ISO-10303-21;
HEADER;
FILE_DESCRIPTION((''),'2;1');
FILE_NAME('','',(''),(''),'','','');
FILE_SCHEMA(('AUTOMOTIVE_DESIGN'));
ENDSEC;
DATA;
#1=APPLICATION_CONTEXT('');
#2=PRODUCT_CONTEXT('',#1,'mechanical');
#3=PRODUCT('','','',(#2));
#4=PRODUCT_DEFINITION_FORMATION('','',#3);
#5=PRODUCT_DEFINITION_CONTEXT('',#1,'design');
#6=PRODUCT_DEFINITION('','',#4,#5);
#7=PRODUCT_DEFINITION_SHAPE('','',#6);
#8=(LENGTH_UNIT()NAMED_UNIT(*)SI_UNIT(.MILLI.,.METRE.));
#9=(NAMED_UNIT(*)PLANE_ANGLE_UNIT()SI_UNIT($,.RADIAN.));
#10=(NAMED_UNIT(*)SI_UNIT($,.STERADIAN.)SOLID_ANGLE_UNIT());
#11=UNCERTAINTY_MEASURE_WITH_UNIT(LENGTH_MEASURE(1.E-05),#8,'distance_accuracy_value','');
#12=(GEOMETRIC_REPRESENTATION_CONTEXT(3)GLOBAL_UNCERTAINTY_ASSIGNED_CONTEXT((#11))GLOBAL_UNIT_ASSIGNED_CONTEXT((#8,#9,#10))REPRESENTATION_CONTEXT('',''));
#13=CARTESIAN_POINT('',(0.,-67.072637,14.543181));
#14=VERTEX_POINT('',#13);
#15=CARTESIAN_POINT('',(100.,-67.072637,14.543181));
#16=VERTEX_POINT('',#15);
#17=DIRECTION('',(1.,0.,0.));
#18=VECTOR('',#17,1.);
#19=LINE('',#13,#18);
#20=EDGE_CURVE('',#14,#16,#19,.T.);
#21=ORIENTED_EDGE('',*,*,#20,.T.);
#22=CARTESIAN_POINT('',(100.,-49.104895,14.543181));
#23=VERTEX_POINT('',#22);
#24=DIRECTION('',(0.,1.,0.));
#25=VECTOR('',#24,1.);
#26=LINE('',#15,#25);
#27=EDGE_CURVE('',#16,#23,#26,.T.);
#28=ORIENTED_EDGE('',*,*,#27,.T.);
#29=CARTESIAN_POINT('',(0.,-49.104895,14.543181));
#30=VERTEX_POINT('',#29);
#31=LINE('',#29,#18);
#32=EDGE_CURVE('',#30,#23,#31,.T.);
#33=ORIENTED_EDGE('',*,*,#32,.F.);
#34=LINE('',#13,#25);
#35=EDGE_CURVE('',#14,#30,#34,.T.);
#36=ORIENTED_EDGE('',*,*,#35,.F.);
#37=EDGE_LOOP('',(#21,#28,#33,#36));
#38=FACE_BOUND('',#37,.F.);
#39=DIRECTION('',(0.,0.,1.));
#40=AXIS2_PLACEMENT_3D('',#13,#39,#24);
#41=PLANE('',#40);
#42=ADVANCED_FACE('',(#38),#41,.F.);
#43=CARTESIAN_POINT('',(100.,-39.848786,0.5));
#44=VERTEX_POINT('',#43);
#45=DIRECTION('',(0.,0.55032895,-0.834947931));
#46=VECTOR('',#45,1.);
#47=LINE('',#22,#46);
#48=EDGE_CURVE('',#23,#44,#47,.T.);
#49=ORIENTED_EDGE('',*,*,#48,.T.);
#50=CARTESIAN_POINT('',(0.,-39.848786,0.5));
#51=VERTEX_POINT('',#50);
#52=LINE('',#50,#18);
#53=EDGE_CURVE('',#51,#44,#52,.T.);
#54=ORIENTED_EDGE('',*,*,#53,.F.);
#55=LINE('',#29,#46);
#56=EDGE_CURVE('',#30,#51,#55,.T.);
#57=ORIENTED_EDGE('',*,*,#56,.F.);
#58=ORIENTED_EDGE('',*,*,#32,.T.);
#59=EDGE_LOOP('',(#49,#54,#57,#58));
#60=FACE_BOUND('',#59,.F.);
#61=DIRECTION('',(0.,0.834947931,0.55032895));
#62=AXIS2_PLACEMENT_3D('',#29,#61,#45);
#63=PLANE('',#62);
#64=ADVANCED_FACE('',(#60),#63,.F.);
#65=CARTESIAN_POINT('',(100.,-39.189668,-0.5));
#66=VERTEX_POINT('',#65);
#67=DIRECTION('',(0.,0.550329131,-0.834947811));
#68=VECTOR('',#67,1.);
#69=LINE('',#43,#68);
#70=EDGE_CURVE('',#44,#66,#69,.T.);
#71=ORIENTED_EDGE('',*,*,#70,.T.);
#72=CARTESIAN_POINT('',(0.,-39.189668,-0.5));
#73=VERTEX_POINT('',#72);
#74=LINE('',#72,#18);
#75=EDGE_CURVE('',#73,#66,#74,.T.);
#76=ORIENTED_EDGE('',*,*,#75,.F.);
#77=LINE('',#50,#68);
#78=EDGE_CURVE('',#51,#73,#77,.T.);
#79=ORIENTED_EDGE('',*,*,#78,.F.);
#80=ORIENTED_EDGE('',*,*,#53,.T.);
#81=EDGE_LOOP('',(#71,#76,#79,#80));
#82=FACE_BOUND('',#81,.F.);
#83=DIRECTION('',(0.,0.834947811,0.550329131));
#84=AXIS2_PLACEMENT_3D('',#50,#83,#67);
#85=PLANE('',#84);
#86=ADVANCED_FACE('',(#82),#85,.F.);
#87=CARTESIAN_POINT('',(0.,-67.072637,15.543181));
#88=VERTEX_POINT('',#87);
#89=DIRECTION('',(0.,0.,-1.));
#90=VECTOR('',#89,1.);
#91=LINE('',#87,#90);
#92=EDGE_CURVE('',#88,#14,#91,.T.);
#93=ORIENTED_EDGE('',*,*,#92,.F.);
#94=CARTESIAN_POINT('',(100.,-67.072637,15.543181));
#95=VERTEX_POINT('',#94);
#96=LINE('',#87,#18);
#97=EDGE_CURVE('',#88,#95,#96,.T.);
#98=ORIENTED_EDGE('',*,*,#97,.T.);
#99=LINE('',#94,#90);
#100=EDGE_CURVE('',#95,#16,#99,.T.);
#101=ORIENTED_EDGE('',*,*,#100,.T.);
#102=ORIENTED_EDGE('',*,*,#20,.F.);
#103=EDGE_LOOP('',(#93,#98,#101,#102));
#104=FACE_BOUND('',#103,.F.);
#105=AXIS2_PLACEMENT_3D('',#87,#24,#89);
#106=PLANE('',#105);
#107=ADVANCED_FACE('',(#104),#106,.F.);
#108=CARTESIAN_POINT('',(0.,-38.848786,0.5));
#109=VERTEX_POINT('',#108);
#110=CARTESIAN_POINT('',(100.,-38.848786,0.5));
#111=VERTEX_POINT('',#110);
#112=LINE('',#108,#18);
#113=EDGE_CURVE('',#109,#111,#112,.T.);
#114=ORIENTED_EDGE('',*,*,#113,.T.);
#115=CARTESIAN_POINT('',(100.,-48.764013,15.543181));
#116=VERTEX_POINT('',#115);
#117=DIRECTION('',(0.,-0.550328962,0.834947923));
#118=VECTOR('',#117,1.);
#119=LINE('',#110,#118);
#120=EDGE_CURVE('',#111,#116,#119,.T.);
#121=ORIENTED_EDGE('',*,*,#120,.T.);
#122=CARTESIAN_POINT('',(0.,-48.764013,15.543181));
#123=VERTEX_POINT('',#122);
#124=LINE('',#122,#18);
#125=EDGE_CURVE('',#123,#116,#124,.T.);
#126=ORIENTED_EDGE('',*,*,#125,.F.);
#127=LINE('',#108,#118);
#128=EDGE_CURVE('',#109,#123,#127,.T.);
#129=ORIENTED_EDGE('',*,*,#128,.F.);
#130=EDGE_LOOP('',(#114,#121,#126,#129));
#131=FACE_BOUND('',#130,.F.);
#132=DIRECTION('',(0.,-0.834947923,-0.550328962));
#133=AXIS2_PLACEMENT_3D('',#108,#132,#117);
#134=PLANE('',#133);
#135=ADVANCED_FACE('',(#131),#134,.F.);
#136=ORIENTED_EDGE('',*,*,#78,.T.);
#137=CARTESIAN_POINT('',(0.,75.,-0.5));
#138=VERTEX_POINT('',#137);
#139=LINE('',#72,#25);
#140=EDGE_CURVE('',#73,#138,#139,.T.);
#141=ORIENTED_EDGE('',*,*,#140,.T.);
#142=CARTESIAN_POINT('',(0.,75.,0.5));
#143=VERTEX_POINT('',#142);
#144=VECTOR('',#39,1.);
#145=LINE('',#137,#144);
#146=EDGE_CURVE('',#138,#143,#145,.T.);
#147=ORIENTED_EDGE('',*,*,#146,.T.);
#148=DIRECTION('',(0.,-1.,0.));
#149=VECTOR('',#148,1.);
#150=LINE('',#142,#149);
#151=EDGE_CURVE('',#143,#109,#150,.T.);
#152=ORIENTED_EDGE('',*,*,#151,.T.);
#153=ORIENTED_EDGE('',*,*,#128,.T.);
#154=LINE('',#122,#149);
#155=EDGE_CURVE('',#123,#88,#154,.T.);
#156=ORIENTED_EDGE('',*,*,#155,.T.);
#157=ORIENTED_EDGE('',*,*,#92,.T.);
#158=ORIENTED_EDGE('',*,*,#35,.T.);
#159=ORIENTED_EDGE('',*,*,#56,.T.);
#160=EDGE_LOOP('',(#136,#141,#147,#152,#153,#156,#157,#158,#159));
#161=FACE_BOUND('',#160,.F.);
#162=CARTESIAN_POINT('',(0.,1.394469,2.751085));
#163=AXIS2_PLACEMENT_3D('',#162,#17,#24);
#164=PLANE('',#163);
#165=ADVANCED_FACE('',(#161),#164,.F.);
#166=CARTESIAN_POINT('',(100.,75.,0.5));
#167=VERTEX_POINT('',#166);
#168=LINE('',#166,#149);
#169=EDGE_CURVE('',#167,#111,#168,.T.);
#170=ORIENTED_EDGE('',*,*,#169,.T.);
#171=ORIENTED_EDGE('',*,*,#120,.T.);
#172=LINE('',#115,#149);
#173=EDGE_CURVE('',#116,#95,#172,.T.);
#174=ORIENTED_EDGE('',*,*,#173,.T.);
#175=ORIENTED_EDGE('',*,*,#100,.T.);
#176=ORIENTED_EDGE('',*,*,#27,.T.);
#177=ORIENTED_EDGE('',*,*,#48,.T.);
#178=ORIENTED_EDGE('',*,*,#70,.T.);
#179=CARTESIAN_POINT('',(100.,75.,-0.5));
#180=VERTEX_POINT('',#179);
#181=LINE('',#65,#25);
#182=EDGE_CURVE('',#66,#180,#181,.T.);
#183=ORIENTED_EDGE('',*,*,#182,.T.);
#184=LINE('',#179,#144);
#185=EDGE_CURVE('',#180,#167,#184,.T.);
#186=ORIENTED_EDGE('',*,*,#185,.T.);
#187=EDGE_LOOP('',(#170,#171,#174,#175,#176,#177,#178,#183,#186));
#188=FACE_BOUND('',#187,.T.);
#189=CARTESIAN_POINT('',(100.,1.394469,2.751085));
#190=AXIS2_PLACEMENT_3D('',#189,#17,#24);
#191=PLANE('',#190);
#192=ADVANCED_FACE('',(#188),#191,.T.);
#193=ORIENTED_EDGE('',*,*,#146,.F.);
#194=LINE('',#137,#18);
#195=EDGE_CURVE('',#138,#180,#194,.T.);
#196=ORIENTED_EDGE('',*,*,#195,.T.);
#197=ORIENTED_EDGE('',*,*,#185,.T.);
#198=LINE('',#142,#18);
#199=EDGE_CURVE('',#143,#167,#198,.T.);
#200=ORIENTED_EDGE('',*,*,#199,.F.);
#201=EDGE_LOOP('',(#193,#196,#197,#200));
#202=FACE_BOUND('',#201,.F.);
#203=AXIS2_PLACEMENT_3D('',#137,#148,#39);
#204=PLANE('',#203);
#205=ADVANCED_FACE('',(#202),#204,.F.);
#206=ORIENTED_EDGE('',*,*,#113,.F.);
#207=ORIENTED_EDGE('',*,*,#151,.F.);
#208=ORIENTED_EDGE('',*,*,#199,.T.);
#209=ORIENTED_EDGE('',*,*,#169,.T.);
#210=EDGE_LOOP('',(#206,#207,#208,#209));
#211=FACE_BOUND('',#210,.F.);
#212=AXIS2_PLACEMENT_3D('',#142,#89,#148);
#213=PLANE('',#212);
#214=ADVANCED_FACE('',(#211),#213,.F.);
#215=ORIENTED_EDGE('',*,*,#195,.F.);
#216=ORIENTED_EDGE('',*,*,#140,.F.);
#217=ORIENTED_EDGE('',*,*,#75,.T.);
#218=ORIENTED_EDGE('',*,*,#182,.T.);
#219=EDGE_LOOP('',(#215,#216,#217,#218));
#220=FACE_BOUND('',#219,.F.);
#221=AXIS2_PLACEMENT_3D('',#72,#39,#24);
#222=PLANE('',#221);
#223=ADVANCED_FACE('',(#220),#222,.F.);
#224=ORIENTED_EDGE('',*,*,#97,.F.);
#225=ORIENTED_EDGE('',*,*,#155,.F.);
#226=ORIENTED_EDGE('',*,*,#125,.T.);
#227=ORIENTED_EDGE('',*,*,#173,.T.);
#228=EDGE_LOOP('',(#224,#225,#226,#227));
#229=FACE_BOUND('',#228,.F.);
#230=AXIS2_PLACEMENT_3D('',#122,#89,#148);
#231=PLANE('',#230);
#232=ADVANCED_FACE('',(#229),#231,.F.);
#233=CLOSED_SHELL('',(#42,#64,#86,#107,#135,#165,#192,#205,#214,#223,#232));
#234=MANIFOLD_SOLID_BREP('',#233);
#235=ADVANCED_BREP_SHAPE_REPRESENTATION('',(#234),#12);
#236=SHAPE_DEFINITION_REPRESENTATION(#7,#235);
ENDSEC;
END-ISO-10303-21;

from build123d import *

# Parameters (mm, degrees)
F1_DEPTH = 100


with BuildPart() as f1:
    # F0 (on Right) → F1 (new body)
    with BuildSketch(Plane.YZ):
        Polygon((75, 0.5), (-38.848786, 0.5), (-48.764013, 15.543181), (-67.072637, 15.543181), (-67.072637, 14.543181), (-49.104895, 14.543181), (-39.848786, 0.5), (-39.189668, -0.5), (75, -0.5), align=None)
    extrude(amount=F1_DEPTH)


solid = f1.part
